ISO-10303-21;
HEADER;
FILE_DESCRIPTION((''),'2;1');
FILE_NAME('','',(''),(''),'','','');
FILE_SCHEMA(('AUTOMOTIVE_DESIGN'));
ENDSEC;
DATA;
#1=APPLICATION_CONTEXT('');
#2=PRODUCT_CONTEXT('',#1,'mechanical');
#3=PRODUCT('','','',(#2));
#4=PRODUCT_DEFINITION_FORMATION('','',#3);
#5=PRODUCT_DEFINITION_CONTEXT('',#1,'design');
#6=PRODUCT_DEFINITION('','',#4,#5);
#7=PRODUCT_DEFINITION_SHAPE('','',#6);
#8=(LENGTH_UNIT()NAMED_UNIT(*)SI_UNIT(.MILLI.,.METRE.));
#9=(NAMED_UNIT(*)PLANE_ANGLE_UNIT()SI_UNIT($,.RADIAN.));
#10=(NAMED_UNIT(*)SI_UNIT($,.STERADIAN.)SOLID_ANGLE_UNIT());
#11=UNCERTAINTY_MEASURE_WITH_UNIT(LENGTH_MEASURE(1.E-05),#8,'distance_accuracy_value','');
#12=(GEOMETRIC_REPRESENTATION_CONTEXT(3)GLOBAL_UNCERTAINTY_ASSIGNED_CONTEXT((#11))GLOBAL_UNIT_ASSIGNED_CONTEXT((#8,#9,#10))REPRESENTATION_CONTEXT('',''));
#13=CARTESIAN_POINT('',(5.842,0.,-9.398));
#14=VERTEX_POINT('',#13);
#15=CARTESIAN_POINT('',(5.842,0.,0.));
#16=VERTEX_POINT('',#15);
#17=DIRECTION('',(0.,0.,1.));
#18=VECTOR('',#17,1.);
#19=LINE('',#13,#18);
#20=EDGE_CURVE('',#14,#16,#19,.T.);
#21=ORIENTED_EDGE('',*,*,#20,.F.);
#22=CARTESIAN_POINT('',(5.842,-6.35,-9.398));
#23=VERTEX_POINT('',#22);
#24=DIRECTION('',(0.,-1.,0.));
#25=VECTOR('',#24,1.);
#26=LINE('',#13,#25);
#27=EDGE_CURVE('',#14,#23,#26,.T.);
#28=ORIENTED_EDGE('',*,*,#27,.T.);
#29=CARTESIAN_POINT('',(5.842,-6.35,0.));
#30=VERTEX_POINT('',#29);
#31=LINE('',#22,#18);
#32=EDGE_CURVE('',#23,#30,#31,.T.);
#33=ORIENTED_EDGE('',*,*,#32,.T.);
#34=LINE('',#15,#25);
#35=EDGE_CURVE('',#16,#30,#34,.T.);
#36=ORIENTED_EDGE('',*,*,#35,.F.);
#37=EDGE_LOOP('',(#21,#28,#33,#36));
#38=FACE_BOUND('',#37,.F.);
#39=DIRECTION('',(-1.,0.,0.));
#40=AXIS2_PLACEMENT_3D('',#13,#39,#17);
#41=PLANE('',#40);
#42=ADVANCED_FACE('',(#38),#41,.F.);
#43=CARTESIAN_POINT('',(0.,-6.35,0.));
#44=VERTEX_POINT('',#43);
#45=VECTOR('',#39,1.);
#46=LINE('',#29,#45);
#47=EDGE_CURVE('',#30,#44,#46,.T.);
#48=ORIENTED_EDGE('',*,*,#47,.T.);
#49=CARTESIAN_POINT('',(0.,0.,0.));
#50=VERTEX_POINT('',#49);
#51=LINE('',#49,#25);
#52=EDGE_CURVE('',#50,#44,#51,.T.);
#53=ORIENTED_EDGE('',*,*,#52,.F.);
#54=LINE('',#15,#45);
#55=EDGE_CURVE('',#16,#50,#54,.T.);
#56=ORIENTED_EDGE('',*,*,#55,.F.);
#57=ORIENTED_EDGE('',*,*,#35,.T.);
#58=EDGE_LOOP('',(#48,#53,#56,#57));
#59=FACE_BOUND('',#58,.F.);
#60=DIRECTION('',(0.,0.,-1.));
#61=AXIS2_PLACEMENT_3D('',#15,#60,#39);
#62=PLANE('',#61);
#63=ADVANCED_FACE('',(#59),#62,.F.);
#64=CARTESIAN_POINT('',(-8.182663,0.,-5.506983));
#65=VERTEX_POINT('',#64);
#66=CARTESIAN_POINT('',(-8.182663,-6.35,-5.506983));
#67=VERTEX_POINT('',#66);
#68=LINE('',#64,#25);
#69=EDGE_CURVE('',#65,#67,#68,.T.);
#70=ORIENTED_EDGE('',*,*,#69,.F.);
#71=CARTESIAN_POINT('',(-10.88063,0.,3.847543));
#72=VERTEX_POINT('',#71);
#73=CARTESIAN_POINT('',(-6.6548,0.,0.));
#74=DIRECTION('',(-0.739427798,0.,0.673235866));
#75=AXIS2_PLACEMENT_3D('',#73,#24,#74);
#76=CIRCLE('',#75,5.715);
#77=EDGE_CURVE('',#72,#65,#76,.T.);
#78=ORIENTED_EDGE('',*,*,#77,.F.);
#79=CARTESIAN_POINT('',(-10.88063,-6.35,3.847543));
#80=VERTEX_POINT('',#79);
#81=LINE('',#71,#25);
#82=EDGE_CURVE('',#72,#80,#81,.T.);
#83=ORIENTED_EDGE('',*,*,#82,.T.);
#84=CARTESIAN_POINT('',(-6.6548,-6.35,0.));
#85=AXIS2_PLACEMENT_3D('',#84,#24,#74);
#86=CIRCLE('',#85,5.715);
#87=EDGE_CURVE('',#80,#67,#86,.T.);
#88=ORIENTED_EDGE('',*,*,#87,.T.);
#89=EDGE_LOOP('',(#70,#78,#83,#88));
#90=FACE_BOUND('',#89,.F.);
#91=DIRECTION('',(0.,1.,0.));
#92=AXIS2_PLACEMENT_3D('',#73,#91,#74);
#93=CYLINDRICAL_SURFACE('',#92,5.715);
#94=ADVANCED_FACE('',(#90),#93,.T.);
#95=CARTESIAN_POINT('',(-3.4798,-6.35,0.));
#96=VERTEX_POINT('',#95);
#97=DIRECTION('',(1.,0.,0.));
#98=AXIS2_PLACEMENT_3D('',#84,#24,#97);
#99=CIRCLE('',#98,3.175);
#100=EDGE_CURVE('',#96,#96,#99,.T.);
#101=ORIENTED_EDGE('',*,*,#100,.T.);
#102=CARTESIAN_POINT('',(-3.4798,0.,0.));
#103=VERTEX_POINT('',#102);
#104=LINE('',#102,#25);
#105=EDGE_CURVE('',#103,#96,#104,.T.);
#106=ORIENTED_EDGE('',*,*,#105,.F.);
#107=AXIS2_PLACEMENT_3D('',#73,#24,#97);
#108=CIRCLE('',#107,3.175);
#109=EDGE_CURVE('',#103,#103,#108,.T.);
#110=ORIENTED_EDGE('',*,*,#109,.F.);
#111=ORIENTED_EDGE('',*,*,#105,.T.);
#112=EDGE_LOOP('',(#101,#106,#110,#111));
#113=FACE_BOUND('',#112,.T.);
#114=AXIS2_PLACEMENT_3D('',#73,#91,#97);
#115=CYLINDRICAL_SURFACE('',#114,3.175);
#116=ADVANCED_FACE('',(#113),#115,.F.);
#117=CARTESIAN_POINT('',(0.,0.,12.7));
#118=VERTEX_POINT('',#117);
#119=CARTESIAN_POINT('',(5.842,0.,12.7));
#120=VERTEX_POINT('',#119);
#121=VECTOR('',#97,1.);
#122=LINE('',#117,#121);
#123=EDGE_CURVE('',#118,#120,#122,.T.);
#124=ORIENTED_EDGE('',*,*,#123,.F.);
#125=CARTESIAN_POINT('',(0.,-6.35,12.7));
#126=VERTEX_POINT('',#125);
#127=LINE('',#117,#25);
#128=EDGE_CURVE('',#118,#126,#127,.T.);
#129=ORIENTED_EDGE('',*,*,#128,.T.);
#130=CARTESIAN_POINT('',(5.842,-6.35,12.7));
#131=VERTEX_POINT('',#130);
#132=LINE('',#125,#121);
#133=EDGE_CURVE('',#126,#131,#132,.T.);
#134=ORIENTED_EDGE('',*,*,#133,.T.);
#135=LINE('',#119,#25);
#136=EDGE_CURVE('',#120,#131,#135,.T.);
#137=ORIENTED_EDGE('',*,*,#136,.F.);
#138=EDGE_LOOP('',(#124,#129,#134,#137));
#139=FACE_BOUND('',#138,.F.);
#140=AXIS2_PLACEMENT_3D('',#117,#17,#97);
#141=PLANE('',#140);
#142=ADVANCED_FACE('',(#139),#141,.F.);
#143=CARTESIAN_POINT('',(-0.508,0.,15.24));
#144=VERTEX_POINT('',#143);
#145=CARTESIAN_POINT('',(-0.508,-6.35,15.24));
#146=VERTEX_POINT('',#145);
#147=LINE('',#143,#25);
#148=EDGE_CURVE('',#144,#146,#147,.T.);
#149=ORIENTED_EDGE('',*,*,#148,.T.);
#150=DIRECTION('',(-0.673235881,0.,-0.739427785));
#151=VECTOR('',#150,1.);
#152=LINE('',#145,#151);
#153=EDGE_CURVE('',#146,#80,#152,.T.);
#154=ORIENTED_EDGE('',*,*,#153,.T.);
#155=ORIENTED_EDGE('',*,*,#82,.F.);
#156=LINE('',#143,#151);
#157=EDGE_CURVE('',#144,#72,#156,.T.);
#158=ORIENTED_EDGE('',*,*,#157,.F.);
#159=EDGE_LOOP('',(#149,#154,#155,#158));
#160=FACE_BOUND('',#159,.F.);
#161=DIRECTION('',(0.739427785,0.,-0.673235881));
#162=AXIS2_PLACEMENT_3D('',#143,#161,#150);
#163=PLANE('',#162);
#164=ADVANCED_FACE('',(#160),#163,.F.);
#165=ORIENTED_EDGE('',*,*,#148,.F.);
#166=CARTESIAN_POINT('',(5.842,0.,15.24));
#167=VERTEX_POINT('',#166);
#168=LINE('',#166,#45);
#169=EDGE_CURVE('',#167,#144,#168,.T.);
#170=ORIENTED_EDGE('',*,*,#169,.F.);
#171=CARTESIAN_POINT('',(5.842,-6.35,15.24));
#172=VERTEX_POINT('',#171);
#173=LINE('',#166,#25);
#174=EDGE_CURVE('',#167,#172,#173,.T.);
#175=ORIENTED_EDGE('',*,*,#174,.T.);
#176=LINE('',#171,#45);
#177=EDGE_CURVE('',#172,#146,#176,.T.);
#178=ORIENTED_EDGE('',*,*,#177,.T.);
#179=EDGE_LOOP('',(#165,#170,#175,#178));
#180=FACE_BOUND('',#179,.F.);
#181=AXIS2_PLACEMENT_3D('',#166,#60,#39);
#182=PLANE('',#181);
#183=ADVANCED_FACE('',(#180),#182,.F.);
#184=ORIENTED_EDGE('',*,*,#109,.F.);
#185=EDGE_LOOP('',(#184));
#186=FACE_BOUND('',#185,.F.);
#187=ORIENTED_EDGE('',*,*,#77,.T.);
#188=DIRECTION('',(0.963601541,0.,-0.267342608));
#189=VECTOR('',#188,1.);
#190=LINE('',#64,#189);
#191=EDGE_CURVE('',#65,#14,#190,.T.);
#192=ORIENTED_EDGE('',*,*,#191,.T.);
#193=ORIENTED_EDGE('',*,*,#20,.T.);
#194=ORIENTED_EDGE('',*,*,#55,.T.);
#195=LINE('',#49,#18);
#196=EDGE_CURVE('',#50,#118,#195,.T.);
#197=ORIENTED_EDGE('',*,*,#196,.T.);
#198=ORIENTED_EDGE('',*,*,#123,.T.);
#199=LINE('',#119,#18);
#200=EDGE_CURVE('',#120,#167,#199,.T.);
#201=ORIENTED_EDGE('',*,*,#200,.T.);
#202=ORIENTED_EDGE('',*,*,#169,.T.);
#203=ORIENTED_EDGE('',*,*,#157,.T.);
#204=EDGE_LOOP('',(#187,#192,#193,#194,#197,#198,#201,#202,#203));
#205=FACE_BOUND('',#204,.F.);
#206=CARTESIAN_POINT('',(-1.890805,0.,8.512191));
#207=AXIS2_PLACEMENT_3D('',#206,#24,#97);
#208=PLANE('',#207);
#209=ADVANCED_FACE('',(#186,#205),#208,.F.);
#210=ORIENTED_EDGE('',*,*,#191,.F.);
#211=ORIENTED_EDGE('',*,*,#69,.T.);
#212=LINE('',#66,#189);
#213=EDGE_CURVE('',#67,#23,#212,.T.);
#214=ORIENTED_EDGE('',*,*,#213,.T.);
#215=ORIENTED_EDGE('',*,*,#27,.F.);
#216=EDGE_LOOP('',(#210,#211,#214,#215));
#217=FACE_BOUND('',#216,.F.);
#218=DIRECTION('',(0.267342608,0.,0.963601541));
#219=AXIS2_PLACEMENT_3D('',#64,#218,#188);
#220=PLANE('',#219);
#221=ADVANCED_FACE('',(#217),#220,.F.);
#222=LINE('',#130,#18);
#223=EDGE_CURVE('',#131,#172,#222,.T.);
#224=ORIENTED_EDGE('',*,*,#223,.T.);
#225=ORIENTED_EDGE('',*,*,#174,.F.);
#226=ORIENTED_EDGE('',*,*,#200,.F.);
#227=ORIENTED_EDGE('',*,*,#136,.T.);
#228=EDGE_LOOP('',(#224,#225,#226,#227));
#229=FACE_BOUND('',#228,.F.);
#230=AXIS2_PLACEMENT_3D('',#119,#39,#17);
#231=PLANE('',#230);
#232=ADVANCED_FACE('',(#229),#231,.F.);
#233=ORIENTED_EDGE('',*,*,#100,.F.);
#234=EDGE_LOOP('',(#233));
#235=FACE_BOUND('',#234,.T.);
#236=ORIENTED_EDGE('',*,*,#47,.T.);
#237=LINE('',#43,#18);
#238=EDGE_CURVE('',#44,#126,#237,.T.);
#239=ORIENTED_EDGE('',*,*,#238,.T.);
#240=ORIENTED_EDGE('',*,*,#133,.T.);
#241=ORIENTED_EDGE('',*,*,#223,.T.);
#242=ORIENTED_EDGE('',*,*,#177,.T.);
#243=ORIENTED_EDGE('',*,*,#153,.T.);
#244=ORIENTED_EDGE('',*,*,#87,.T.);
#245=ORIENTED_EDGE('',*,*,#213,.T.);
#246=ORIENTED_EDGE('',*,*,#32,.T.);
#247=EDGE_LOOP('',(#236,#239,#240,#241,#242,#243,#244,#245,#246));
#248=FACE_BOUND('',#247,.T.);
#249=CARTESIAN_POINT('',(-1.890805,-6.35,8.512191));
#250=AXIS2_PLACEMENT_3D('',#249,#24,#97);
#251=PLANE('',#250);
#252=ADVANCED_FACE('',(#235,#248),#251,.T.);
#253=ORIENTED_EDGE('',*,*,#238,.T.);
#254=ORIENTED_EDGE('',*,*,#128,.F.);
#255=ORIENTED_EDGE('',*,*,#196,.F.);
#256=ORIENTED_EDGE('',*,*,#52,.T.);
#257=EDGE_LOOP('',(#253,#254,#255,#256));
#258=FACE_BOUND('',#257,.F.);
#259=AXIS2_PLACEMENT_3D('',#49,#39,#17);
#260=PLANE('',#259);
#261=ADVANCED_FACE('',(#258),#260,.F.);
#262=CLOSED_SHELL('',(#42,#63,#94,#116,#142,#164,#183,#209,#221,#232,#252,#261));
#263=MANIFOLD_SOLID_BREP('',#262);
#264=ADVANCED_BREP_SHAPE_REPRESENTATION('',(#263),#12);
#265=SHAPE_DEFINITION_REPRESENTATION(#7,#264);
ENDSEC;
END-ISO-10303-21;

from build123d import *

# Parameters (mm, degrees)
F0_R     = 3.175
F1_DEPTH = 6.35


with BuildPart() as f1:
    # F0 (on Front) → F1 (new body)
    with BuildSketch(Plane.XZ):
        with BuildLine():
            Line((-0.9398, 0), (0, 0))
            Line((0, 0), (0, 12.7))
            Line((0, 12.7), (5.842, 12.7))
            Line((5.842, 12.7), (5.842, 15.24))
            Line((5.842, 15.24), (-0.508, 15.24))
            Line((-0.508, 15.24), (-10.88063, 3.847543))
            ThreePointArc((-10.88063, 3.847543), (-4.591961, 5.329721), (-0.9398, 0))
        make_face()
        with BuildLine():
            Line((5.842, 0), (0, 0))
            Line((0, 0), (-0.9398, 0))
            ThreePointArc((-0.9398, 0), (-3.195791, -4.549339), (-8.182663, -5.506983))
            Line((-8.182663, -5.506983), (5.842, -9.398))
            Line((5.842, -9.398), (5.842, 0))
        make_face()
        with BuildLine():
            ThreePointArc((-8.182663, -5.506983), (-3.195791, -4.549339), (-0.9398, 0))
            ThreePointArc((-0.9398, 0), (-4.591961, 5.329721), (-10.88063, 3.847543))
            ThreePointArc((-10.88063, 3.847543), (-12.145978, -1.583727), (-8.182663, -5.506983))
        make_face()
        with Locations((-6.6548, 0)):
            Circle(F0_R, mode=Mode.SUBTRACT)
    extrude(amount=F1_DEPTH)


solid = f1.part
